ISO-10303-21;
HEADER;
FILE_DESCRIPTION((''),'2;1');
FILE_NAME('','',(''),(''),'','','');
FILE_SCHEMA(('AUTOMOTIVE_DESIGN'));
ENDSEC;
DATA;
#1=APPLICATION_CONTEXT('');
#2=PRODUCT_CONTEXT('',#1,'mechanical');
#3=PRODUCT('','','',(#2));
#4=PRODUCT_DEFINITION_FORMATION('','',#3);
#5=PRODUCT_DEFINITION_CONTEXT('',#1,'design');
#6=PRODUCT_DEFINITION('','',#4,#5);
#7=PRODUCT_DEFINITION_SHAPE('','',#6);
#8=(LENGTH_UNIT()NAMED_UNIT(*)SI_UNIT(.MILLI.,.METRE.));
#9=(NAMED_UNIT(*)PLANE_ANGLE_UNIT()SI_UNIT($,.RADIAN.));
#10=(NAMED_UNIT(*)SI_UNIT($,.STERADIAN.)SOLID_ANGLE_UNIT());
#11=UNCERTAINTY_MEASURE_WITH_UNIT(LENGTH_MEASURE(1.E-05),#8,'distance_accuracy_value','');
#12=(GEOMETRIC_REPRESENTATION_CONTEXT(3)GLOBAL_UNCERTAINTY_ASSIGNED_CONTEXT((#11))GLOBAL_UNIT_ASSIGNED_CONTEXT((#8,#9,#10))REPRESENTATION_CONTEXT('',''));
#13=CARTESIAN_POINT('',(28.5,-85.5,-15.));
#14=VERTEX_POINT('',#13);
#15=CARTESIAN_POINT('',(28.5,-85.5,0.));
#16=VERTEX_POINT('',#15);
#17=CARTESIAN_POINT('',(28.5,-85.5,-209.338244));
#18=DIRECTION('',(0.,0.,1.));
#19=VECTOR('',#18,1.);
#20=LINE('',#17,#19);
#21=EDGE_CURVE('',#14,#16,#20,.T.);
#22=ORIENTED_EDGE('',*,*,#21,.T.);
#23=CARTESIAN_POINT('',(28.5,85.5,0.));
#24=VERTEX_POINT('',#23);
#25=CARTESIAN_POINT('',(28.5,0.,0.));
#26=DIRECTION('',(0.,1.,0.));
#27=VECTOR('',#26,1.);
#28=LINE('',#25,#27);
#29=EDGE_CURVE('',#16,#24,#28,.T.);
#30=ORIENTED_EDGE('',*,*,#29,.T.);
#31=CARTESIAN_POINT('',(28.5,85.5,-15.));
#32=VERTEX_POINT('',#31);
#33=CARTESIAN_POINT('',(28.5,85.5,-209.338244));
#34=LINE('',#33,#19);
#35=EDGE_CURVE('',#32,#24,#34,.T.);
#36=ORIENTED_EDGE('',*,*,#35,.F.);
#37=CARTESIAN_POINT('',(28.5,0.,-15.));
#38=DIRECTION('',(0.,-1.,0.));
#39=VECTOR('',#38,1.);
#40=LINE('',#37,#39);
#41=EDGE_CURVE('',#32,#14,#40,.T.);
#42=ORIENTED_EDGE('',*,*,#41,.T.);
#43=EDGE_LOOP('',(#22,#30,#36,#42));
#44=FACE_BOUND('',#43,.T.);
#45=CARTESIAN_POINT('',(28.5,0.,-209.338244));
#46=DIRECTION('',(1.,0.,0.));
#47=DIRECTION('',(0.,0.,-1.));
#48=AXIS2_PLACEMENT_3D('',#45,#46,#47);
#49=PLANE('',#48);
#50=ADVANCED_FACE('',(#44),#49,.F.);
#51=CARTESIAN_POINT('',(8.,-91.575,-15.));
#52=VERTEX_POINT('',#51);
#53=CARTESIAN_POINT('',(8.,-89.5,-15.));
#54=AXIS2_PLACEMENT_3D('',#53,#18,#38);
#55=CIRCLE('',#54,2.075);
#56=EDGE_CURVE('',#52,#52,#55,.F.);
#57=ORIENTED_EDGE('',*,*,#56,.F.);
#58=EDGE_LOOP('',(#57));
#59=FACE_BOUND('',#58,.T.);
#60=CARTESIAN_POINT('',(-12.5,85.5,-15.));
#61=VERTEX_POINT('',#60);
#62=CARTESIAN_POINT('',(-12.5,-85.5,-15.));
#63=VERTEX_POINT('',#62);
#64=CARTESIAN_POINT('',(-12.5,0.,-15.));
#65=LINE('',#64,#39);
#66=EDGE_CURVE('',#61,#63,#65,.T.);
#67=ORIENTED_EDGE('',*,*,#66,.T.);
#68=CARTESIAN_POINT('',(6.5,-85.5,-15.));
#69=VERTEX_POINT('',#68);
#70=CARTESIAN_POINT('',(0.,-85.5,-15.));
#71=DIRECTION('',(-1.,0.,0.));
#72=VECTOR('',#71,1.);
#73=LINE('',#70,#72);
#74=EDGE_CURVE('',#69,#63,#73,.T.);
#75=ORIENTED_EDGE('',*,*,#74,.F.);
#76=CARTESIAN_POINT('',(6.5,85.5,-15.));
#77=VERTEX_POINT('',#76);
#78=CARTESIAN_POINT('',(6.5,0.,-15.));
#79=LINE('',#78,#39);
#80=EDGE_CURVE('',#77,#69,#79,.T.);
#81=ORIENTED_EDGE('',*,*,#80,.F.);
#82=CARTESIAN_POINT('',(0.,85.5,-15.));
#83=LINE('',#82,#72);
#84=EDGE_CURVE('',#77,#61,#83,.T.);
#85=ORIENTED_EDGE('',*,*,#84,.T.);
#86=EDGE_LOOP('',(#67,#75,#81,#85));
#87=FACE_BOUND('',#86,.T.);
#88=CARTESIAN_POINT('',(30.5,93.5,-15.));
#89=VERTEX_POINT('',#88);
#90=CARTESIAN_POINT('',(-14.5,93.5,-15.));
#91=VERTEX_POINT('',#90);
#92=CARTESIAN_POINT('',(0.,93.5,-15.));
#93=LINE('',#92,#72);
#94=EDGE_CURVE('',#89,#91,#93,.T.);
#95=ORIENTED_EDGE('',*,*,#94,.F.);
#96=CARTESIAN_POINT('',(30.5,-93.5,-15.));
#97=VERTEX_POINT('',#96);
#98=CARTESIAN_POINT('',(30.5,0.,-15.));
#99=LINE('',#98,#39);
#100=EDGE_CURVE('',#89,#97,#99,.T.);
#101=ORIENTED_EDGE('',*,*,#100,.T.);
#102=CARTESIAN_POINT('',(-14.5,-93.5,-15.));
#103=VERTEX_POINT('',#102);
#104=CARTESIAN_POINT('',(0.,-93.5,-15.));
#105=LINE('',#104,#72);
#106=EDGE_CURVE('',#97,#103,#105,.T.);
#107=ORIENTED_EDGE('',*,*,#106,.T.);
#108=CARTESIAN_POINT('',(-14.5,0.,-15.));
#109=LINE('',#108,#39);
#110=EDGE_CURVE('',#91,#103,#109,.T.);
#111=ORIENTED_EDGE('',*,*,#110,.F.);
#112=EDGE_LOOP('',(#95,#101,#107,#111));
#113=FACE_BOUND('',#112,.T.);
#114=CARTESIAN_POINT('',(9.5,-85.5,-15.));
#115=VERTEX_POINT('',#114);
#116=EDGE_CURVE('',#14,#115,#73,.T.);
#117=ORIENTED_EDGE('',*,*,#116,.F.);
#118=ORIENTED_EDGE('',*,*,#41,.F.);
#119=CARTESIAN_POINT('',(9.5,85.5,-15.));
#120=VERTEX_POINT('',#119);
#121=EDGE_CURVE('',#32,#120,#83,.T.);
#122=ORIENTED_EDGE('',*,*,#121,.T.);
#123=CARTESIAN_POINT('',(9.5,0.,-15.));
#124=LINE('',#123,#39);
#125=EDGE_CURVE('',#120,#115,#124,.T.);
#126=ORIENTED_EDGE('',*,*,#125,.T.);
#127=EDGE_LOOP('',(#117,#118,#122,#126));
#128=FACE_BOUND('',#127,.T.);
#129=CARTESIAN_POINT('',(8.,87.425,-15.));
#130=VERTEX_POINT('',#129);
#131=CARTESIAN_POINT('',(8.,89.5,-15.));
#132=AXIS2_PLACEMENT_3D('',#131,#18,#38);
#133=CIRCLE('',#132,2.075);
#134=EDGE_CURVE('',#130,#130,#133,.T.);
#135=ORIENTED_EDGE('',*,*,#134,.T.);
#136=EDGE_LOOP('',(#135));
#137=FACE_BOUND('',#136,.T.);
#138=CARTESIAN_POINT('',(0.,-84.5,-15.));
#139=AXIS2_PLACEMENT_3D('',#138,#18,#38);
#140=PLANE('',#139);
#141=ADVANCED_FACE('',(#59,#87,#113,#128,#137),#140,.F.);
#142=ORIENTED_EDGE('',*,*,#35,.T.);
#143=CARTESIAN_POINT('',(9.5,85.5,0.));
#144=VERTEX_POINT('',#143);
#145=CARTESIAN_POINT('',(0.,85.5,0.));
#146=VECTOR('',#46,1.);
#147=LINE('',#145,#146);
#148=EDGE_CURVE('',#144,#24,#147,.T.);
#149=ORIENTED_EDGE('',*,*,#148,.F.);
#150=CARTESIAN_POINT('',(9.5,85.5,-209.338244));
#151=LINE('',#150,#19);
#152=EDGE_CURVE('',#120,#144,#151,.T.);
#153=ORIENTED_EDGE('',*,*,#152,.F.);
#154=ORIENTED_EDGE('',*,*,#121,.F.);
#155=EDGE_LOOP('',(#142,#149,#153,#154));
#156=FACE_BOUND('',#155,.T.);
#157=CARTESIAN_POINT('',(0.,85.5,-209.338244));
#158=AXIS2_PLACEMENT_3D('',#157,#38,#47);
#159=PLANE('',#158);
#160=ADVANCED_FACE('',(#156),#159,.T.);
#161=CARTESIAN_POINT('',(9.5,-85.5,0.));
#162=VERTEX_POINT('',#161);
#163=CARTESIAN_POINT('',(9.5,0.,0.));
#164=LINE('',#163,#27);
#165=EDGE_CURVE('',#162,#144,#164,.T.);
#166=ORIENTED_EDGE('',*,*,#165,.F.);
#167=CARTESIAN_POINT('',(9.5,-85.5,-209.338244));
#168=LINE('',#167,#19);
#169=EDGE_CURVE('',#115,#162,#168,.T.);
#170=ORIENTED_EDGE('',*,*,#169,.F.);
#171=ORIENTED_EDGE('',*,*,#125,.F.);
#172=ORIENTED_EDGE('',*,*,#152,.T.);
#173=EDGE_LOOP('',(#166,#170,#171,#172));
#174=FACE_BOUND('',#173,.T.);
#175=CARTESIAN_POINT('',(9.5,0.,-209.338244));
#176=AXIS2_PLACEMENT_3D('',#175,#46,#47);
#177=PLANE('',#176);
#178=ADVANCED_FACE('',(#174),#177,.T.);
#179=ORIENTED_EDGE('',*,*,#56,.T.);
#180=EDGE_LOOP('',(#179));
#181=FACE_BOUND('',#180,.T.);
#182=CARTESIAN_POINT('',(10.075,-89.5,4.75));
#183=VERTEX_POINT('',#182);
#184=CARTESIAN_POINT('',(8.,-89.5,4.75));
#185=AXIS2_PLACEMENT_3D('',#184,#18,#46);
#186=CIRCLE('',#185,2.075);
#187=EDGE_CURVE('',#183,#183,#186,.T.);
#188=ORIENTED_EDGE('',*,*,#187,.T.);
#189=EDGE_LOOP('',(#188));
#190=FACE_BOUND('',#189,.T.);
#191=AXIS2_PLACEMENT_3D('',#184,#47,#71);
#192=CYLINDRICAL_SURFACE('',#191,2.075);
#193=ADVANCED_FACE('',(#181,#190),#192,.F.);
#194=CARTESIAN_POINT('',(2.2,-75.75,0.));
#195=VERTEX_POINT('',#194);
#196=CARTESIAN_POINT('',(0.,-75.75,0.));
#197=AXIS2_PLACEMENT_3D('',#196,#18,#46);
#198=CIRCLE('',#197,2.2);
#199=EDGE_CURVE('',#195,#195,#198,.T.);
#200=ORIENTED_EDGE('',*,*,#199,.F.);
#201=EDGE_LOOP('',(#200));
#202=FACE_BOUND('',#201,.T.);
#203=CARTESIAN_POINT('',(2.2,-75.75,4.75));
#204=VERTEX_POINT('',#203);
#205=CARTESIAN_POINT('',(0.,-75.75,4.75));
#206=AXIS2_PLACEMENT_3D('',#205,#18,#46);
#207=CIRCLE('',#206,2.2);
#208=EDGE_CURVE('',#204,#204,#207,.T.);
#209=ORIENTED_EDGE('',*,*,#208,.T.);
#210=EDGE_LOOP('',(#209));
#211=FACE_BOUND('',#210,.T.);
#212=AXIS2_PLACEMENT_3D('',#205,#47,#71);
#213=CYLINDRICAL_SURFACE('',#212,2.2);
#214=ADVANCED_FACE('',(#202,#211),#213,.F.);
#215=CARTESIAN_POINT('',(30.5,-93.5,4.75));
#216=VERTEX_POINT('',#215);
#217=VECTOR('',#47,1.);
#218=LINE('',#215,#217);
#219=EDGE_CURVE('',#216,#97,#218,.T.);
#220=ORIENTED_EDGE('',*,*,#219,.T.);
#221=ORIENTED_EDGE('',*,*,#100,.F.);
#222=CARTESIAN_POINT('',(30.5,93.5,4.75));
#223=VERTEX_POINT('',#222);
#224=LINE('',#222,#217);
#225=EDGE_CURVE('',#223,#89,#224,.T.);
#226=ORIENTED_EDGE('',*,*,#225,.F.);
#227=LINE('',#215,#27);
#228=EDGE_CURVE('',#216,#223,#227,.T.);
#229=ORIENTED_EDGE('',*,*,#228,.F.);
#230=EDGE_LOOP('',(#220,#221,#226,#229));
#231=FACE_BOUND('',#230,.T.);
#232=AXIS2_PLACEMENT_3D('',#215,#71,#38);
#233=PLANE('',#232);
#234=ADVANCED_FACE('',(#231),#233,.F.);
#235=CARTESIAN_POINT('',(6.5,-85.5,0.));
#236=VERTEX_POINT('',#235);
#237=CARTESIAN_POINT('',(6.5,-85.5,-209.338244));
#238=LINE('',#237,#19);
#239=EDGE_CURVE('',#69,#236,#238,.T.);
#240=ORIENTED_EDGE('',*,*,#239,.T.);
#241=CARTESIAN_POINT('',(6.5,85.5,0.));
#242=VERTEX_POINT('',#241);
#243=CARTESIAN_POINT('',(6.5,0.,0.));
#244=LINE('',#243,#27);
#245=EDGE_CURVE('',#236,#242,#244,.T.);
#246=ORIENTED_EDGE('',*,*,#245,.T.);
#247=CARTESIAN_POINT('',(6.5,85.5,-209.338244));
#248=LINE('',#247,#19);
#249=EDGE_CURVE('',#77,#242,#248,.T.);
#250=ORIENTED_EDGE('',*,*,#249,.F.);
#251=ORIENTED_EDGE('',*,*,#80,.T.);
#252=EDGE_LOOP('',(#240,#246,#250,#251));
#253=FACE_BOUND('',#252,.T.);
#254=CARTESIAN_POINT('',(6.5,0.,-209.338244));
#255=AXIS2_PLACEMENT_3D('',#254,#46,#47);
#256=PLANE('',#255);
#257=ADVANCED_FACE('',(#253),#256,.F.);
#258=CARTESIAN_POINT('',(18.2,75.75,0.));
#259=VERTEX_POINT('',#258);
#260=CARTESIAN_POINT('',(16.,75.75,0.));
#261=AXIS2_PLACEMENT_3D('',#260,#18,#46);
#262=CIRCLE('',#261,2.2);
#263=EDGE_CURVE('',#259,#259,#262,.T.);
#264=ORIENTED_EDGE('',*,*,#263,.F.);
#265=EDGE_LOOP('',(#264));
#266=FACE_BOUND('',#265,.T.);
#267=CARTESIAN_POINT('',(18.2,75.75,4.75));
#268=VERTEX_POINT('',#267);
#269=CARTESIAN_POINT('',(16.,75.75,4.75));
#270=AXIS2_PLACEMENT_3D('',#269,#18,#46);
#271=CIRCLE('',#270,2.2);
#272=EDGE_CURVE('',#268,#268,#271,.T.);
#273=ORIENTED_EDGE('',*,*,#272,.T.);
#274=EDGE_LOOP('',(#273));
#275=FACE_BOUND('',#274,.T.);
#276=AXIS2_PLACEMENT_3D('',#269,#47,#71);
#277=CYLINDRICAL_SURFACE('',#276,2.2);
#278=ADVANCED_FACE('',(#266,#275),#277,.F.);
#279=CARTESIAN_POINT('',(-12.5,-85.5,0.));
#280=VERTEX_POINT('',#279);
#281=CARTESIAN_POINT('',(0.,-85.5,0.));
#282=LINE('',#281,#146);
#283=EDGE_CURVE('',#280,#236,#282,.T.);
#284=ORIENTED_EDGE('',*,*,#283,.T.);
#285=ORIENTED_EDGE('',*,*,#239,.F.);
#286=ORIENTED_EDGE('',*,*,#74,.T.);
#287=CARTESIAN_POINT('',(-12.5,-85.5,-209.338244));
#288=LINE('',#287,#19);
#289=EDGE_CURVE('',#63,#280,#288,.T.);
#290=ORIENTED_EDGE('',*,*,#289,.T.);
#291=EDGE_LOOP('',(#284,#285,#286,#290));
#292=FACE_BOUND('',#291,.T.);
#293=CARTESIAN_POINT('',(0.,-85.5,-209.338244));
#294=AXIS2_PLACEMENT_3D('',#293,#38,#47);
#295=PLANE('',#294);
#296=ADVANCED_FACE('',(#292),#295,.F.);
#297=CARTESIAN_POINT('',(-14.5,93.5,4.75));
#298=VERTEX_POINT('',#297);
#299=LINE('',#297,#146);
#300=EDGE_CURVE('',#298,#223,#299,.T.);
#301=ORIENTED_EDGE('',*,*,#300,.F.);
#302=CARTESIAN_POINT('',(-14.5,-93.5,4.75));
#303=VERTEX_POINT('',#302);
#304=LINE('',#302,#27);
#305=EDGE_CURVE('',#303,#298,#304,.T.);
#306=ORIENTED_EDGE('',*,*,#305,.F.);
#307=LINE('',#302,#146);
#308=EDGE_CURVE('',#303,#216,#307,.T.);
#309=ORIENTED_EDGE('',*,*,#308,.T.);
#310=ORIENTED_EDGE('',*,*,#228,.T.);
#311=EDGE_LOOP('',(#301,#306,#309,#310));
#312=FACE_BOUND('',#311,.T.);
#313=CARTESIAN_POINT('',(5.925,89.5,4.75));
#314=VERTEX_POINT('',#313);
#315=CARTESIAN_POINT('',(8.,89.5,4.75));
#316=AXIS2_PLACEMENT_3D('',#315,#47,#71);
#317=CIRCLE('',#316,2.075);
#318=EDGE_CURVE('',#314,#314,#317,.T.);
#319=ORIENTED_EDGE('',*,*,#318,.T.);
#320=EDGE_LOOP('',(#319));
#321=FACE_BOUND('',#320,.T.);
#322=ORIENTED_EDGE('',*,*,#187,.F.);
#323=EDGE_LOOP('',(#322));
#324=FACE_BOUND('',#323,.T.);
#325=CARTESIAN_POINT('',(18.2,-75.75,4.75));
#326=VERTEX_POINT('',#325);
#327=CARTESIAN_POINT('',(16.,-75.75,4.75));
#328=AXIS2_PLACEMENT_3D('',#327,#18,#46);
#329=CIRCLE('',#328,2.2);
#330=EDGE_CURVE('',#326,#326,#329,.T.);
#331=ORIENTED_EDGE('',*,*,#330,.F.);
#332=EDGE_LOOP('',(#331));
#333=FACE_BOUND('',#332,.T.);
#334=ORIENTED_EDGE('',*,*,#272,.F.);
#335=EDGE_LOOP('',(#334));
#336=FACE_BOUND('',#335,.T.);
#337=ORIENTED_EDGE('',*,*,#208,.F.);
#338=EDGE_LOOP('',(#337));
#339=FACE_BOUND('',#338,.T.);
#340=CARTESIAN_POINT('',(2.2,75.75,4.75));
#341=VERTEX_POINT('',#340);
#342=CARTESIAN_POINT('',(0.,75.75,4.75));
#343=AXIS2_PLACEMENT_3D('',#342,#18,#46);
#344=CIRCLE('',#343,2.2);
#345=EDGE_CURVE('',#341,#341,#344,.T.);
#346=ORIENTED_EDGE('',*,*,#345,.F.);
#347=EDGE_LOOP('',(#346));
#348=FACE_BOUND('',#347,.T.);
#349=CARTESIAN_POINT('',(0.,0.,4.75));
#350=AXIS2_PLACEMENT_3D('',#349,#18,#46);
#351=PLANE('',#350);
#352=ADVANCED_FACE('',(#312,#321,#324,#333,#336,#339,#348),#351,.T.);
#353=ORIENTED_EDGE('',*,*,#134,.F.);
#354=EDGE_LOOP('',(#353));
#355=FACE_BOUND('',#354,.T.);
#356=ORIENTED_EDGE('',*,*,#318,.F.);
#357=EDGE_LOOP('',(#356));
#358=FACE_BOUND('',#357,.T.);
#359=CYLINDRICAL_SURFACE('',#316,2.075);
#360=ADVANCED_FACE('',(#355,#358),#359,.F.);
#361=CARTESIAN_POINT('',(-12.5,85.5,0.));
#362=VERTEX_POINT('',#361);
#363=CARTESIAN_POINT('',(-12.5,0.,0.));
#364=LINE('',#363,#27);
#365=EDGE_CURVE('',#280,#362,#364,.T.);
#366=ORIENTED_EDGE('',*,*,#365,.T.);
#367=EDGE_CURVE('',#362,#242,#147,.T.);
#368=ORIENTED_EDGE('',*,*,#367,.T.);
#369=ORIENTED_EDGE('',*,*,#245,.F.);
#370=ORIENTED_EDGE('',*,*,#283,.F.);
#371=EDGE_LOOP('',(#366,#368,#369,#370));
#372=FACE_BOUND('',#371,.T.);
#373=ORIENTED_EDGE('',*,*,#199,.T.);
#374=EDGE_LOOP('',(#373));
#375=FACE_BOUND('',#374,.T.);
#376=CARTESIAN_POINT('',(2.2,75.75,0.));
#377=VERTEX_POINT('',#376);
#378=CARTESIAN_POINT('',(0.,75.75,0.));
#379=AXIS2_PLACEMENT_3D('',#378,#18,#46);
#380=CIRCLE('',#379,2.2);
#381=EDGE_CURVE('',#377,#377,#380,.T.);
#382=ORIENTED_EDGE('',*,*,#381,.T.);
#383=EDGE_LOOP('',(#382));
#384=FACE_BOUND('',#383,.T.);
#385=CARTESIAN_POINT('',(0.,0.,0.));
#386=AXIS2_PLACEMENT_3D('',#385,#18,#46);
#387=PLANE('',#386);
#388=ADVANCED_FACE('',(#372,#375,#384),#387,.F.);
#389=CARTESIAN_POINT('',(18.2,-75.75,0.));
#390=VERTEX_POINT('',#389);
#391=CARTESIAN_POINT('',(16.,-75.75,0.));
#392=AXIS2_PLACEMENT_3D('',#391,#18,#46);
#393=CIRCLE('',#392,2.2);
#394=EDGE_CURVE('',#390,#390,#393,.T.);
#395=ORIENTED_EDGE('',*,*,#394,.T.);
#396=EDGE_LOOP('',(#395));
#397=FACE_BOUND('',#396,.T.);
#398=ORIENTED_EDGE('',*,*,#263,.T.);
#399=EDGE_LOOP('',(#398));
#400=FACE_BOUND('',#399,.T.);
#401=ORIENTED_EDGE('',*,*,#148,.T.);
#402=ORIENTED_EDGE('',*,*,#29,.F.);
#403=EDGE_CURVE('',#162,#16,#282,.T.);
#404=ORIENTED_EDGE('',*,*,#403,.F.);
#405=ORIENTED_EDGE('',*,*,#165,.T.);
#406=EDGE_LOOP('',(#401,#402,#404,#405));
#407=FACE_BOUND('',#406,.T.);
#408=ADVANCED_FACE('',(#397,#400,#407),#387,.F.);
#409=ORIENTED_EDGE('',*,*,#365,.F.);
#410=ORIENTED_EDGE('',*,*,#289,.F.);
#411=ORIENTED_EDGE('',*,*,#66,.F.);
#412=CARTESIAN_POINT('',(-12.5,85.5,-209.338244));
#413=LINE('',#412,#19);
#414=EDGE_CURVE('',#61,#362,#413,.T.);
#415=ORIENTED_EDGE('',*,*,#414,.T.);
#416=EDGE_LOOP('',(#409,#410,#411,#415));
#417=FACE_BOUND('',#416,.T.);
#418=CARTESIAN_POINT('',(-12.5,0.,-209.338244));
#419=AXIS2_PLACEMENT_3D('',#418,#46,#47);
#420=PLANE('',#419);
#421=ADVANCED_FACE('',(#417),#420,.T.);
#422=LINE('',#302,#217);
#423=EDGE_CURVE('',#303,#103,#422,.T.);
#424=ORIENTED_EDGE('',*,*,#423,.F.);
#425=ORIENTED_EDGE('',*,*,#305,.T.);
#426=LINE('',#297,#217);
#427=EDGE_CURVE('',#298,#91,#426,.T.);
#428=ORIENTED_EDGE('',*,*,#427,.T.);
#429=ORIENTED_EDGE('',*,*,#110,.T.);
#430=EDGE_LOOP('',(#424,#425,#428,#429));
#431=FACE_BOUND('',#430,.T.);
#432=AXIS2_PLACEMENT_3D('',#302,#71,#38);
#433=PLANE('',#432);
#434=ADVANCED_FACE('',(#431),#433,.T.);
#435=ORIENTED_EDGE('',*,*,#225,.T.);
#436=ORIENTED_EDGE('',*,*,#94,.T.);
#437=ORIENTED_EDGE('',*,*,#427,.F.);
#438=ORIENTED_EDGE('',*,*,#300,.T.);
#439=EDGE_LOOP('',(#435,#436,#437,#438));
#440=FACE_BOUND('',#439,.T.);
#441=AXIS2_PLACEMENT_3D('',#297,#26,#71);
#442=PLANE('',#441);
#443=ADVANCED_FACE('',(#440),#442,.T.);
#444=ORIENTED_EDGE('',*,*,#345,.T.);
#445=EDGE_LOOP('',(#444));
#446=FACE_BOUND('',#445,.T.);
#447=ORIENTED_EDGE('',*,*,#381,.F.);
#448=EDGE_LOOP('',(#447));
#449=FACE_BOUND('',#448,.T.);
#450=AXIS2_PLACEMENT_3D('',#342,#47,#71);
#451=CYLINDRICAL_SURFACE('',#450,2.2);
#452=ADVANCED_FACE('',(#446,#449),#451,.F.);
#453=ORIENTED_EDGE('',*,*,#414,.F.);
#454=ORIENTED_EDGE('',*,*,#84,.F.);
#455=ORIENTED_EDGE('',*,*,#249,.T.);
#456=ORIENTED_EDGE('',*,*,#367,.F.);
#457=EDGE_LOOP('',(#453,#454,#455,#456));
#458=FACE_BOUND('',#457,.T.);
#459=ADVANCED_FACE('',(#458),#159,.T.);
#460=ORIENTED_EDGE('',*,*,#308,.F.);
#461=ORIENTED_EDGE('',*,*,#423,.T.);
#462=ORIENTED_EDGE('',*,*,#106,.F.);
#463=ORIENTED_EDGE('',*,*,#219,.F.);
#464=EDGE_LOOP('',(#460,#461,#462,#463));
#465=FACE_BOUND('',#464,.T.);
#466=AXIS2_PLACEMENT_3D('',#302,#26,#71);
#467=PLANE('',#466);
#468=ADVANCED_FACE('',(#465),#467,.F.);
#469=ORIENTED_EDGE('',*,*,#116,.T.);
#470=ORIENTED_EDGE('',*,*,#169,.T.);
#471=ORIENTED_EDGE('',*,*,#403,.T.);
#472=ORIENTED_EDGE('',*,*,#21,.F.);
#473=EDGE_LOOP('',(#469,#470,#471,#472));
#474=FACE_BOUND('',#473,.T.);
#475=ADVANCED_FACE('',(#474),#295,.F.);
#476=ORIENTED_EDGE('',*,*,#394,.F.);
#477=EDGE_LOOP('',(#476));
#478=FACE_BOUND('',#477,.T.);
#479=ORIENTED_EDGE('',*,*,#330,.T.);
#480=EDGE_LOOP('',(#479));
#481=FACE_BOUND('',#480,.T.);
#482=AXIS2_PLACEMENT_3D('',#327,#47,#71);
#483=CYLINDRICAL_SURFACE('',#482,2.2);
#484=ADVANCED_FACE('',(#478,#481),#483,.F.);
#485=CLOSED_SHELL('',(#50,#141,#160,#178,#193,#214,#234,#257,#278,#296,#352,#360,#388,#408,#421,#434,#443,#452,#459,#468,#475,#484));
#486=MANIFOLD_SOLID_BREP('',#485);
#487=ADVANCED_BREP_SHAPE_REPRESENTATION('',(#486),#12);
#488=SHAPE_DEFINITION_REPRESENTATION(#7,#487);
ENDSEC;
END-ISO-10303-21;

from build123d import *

# Parameters (mm, degrees)
SKETCH1_W           = 45
SKETCH1_H           = 187
SKETCH1_R           = 2.2
SKETCH1_R_2         = 2.075
BOSS_EXTRUDE1_DEPTH = 4.75
BOSS_EXTRUDE2_START = -15
SKETCH1_3_R         = 2.075
SKETCH1_3_W         = 2
SKETCH1_3_H         = 171
SKETCH1_3_W_2       = 3
BOSS_EXTRUDE2_DEPTH = 15


with BuildPart() as part:
    # Sketch1 → Boss-Extrude1 (new body)
    with BuildSketch(Plane.XY):
        with Locations((8, 0)):
            Rectangle(SKETCH1_W, SKETCH1_H)
        with Locations((0, -75.75)):
            Circle(SKETCH1_R, mode=Mode.SUBTRACT)
        with Locations((16, -75.75)):
            Circle(SKETCH1_R, mode=Mode.SUBTRACT)
        with Locations((0, 75.75)):
            Circle(SKETCH1_R, mode=Mode.SUBTRACT)
        with Locations((16, 75.75)):
            Circle(SKETCH1_R, mode=Mode.SUBTRACT)
        with Locations((8, -89.5)):
            Circle(SKETCH1_R_2, mode=Mode.SUBTRACT)
        with Locations(Location((8, 89.5, 0), (0, 0, 180))):
            Circle(SKETCH1_R_2, mode=Mode.SUBTRACT)
    extrude(amount=BOSS_EXTRUDE1_DEPTH)

    # Sketch1<3> → Boss-Extrude2 (add)
    # profile 1 of 5: a face of its own
    with BuildSketch(Plane.XY.offset(BOSS_EXTRUDE2_START)):
        Polygon((-12.5, 85.5), (-6.5, 85.5), (6.5, 85.5), (9.5, 85.5), (22.5, 85.5), (28.5, 85.5), (30.5, 85.5), (30.5, 93.5), (-14.5, 93.5), (-14.5, 85.5), align=None)
        with Locations(Location((8, 89.5, 0), (0, 0, 180))):
            Circle(SKETCH1_3_R, mode=Mode.SUBTRACT)
    # profile 2 of 5: a face of its own
    with BuildSketch(Plane.XY.offset(BOSS_EXTRUDE2_START)):
        with Locations((-13.5, 0)):
            Rectangle(SKETCH1_3_W, SKETCH1_3_H)
    # profile 3 of 5: a face of its own
    with BuildSketch(Plane.XY.offset(BOSS_EXTRUDE2_START)):
        Polygon((6.5, -85.5), (-6.5, -85.5), (-12.5, -85.5), (-14.5, -85.5), (-14.5, -93.5), (30.5, -93.5), (30.5, -85.5), (28.5, -85.5), (22.5, -85.5), (9.5, -85.5), align=None)
        with Locations(Location((8, -89.5, 0), (0, 0, 270))):
            Circle(SKETCH1_3_R, mode=Mode.SUBTRACT)
    # profile 4 of 5: a face of its own
    with BuildSketch(Plane.XY.offset(BOSS_EXTRUDE2_START)):
        with Locations((29.5, 0)):
            Rectangle(SKETCH1_3_W, SKETCH1_3_H)
    # profile 5 of 5: a face of its own
    with BuildSketch(Plane.XY.offset(BOSS_EXTRUDE2_START)):
        with Locations((8, 0)):
            Rectangle(SKETCH1_3_W_2, SKETCH1_3_H)
    extrude(amount=BOSS_EXTRUDE2_DEPTH)


solid = part.part
